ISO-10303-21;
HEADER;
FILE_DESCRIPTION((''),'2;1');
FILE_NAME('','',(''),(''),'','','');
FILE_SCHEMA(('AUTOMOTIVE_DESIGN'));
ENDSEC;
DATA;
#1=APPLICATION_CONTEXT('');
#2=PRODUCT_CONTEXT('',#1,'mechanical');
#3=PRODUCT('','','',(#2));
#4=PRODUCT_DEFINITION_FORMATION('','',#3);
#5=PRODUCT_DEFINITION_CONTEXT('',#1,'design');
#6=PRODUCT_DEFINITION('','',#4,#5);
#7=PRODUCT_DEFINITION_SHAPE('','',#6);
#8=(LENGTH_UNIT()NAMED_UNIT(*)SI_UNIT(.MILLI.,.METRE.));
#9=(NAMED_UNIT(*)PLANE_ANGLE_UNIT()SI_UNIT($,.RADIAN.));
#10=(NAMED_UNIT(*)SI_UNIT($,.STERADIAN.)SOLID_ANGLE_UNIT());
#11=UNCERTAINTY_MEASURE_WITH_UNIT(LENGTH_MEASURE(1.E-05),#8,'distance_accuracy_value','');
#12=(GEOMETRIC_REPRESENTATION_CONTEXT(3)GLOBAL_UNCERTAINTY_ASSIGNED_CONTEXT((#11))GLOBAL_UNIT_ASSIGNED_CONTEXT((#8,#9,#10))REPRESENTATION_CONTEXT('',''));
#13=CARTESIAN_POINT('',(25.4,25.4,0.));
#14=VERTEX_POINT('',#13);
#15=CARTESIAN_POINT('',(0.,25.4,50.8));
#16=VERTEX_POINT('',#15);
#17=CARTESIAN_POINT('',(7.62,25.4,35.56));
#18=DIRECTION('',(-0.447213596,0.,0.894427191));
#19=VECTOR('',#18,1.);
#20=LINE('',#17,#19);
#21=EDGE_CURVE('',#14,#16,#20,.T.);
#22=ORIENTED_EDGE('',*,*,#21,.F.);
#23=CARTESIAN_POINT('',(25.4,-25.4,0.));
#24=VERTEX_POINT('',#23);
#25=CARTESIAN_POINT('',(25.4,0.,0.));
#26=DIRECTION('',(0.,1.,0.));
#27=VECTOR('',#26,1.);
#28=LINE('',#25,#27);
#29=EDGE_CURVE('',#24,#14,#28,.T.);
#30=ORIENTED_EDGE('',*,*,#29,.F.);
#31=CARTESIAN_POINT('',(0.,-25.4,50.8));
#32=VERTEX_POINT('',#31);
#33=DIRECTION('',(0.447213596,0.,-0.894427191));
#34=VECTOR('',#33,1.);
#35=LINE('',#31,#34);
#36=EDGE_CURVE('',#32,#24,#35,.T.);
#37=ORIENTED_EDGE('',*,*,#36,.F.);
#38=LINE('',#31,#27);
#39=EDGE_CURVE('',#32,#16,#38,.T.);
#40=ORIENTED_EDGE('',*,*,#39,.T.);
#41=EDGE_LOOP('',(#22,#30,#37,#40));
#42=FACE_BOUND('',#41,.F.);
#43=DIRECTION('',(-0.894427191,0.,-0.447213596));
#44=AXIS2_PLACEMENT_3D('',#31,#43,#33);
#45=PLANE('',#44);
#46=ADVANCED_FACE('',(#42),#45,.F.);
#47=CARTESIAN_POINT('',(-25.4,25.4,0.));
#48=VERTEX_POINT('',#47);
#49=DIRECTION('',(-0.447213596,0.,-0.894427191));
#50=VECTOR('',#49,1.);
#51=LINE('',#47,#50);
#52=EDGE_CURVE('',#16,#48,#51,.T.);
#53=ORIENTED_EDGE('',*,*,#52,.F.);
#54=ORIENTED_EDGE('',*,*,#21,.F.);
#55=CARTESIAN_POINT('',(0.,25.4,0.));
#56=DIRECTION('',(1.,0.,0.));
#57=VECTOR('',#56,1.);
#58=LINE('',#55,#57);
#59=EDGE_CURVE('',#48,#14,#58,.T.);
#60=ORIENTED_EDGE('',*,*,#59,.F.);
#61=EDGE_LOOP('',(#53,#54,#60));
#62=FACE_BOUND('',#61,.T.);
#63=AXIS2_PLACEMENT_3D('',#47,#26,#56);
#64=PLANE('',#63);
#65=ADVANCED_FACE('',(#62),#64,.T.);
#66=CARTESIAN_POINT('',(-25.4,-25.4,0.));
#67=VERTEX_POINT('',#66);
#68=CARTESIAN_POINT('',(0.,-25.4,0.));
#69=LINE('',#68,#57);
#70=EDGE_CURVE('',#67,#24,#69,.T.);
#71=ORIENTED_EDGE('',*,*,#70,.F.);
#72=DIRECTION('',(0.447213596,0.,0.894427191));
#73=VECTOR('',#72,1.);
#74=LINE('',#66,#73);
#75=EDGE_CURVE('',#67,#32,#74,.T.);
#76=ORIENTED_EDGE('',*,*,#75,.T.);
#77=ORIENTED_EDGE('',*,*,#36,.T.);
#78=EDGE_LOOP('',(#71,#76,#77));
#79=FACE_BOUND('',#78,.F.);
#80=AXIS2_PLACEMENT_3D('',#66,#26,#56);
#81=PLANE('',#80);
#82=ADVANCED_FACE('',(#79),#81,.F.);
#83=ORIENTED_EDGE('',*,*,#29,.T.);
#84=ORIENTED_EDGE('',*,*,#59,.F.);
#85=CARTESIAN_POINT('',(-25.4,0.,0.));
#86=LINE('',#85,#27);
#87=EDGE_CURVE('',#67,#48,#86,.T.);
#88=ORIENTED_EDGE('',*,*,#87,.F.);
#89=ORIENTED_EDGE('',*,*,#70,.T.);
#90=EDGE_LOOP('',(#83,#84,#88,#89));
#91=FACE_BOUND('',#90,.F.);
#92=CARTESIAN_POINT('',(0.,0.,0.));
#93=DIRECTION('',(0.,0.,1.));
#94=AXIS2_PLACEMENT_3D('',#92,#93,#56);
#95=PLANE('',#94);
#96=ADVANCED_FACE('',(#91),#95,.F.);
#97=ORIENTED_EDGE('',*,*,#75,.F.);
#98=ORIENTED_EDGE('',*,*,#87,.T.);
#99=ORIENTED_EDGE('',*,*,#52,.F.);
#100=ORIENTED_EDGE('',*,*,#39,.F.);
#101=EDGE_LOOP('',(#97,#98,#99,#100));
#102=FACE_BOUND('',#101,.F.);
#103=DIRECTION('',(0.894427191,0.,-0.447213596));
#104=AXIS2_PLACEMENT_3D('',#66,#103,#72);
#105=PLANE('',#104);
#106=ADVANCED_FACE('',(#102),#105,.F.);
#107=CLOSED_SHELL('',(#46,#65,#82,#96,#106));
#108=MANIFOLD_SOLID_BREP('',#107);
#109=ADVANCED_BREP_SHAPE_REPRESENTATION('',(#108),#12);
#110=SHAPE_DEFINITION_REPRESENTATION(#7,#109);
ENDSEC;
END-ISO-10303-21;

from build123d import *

# Parameters (mm, degrees)
F0_W     = 50.8
F0_H     = 50.8
F1_DEPTH = 50.8
F3_DEPTH = 76.2
F5_DEPTH = 76.2


with BuildPart() as f1:
    # F0 (on Top) → F1 (new body)
    with BuildSketch(Plane.XY):
        Rectangle(F0_W, F0_H)
    extrude(amount=F1_DEPTH)

    # F2 (on face) → F3 (cut)
    with BuildSketch(Plane.XZ.offset(25.4)):
        Polygon((-25.4, 0), (0, 50.8), (-25.4, 50.8), align=None)
    extrude(amount=-F3_DEPTH, mode=Mode.SUBTRACT)

    # F4 (on face) → F5 (cut)
    with BuildSketch(Plane.XZ.offset(25.4)):
        Polygon((25.4, 50.8), (0, 50.8), (25.4, 0), align=None)
    extrude(amount=-F5_DEPTH, mode=Mode.SUBTRACT)


solid = f1.part
